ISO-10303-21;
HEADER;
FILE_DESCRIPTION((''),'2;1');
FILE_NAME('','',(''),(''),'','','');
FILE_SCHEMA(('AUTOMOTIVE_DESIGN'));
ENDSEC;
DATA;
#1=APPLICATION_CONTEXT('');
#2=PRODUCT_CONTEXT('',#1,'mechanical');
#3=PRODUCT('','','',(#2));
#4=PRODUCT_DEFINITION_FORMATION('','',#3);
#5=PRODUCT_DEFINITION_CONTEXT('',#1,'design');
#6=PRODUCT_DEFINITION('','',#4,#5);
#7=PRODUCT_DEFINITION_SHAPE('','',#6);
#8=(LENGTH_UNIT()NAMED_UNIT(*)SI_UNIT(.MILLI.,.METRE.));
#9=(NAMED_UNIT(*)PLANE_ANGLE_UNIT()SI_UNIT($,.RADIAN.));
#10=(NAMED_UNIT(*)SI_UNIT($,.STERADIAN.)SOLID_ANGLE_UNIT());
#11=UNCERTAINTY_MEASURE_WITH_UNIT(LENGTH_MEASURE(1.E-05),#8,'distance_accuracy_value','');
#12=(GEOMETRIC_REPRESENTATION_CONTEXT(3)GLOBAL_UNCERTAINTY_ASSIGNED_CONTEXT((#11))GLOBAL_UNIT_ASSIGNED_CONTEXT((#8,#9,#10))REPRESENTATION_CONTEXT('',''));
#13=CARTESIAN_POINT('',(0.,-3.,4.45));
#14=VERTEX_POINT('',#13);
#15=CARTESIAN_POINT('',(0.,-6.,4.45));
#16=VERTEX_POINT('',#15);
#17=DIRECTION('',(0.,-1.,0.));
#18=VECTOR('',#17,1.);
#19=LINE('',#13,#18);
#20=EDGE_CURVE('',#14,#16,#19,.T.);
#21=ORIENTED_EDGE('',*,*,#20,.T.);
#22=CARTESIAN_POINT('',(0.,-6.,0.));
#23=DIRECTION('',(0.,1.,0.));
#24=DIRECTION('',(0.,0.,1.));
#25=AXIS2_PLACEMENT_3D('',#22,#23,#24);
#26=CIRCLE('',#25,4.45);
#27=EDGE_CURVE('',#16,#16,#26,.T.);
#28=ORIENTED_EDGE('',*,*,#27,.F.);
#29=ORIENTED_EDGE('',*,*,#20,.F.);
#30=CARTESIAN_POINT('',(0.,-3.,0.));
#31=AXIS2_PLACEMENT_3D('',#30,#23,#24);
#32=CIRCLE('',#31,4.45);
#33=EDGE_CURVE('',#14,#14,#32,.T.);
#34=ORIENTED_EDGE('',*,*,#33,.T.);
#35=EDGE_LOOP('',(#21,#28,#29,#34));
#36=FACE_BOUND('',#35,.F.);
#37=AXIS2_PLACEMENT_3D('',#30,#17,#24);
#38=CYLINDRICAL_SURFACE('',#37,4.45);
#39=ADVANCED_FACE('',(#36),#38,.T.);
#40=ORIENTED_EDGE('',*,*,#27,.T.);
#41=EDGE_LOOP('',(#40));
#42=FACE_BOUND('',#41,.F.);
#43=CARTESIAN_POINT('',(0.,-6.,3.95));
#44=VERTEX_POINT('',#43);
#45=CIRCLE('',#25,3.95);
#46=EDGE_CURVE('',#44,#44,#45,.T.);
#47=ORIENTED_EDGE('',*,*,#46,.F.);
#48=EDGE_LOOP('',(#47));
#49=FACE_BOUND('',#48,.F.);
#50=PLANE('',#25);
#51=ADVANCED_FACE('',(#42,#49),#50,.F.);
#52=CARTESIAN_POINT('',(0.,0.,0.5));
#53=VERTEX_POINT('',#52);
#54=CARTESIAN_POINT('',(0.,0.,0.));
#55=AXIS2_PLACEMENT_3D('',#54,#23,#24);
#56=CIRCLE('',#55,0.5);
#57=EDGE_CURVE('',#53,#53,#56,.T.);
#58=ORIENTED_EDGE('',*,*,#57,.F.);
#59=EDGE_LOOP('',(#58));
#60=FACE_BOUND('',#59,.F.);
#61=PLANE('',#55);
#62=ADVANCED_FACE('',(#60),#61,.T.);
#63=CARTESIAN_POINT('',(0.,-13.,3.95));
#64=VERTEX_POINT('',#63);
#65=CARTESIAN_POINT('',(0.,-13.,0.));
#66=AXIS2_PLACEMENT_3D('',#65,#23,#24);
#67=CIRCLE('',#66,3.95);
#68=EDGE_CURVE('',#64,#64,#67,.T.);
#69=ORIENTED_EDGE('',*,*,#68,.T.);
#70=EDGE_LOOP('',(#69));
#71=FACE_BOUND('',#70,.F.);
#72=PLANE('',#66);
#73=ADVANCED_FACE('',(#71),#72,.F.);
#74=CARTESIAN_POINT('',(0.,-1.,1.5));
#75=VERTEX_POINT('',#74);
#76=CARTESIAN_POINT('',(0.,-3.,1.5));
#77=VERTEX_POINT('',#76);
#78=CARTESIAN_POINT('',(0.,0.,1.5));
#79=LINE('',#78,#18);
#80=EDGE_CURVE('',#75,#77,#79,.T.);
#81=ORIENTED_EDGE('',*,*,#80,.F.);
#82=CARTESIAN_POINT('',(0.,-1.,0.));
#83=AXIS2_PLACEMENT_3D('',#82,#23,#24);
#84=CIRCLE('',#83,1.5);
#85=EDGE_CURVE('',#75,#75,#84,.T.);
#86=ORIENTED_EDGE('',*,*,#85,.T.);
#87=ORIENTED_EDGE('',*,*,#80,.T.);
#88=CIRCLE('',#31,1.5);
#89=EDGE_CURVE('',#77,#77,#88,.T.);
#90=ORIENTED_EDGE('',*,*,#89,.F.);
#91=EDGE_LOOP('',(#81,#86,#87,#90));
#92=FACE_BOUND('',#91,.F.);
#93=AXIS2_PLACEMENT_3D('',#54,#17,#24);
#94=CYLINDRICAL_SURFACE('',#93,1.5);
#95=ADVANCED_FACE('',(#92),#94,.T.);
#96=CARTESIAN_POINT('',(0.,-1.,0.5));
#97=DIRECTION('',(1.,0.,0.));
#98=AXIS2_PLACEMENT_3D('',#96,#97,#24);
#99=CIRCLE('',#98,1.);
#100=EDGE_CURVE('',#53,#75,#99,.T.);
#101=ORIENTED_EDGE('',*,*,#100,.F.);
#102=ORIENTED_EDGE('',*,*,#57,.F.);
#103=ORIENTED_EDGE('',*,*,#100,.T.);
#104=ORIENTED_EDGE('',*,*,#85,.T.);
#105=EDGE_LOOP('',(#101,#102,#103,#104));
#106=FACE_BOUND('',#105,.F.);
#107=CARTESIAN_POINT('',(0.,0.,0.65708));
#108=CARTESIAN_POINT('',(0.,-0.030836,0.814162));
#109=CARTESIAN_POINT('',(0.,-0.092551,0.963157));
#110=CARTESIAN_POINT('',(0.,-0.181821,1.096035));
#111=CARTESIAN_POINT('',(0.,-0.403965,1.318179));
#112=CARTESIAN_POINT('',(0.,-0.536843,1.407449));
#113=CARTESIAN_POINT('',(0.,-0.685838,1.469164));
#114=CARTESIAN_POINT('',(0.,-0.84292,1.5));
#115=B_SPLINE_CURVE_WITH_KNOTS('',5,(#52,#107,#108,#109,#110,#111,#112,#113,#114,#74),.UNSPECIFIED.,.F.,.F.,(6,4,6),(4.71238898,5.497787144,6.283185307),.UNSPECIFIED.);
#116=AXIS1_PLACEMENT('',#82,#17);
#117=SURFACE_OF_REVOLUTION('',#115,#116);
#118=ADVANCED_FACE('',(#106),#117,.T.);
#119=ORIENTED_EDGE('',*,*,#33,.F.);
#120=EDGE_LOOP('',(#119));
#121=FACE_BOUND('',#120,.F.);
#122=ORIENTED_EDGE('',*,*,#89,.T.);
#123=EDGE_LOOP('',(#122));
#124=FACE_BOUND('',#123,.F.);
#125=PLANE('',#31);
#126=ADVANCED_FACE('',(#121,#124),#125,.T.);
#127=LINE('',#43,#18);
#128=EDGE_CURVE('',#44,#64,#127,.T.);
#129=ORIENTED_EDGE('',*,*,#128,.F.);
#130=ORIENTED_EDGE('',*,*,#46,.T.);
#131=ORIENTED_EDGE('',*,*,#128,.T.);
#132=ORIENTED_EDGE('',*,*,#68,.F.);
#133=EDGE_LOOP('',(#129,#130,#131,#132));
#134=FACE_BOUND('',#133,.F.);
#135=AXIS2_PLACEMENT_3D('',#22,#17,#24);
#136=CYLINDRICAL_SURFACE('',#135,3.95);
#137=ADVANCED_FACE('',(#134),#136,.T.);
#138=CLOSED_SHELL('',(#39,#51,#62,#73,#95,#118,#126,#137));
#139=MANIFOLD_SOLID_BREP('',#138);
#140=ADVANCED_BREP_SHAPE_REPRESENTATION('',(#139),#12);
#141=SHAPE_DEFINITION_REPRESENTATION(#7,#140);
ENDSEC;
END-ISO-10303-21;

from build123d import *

# Parameters (mm, degrees)
F2_R = 1


with BuildPart() as f1:
    # F0 (on Right) → F1 (revolve)
    with BuildSketch(Plane.YZ):
        Polygon((-13, 0), (0, 0), (0, 1.5), (-3, 1.5), (-3, 4.45), (-6, 4.45), (-6, 3.95), (-13, 3.95), align=None)
    revolve(axis=Axis((0, -6.5, 0), (0, 1, 0)))

    # F2
    f2_edges = [f1.edges().sort_by_distance(p)[0] for p in [
        (0, 0, -1.5),
    ]]
    fillet(f2_edges, radius=F2_R)


solid = f1.part
